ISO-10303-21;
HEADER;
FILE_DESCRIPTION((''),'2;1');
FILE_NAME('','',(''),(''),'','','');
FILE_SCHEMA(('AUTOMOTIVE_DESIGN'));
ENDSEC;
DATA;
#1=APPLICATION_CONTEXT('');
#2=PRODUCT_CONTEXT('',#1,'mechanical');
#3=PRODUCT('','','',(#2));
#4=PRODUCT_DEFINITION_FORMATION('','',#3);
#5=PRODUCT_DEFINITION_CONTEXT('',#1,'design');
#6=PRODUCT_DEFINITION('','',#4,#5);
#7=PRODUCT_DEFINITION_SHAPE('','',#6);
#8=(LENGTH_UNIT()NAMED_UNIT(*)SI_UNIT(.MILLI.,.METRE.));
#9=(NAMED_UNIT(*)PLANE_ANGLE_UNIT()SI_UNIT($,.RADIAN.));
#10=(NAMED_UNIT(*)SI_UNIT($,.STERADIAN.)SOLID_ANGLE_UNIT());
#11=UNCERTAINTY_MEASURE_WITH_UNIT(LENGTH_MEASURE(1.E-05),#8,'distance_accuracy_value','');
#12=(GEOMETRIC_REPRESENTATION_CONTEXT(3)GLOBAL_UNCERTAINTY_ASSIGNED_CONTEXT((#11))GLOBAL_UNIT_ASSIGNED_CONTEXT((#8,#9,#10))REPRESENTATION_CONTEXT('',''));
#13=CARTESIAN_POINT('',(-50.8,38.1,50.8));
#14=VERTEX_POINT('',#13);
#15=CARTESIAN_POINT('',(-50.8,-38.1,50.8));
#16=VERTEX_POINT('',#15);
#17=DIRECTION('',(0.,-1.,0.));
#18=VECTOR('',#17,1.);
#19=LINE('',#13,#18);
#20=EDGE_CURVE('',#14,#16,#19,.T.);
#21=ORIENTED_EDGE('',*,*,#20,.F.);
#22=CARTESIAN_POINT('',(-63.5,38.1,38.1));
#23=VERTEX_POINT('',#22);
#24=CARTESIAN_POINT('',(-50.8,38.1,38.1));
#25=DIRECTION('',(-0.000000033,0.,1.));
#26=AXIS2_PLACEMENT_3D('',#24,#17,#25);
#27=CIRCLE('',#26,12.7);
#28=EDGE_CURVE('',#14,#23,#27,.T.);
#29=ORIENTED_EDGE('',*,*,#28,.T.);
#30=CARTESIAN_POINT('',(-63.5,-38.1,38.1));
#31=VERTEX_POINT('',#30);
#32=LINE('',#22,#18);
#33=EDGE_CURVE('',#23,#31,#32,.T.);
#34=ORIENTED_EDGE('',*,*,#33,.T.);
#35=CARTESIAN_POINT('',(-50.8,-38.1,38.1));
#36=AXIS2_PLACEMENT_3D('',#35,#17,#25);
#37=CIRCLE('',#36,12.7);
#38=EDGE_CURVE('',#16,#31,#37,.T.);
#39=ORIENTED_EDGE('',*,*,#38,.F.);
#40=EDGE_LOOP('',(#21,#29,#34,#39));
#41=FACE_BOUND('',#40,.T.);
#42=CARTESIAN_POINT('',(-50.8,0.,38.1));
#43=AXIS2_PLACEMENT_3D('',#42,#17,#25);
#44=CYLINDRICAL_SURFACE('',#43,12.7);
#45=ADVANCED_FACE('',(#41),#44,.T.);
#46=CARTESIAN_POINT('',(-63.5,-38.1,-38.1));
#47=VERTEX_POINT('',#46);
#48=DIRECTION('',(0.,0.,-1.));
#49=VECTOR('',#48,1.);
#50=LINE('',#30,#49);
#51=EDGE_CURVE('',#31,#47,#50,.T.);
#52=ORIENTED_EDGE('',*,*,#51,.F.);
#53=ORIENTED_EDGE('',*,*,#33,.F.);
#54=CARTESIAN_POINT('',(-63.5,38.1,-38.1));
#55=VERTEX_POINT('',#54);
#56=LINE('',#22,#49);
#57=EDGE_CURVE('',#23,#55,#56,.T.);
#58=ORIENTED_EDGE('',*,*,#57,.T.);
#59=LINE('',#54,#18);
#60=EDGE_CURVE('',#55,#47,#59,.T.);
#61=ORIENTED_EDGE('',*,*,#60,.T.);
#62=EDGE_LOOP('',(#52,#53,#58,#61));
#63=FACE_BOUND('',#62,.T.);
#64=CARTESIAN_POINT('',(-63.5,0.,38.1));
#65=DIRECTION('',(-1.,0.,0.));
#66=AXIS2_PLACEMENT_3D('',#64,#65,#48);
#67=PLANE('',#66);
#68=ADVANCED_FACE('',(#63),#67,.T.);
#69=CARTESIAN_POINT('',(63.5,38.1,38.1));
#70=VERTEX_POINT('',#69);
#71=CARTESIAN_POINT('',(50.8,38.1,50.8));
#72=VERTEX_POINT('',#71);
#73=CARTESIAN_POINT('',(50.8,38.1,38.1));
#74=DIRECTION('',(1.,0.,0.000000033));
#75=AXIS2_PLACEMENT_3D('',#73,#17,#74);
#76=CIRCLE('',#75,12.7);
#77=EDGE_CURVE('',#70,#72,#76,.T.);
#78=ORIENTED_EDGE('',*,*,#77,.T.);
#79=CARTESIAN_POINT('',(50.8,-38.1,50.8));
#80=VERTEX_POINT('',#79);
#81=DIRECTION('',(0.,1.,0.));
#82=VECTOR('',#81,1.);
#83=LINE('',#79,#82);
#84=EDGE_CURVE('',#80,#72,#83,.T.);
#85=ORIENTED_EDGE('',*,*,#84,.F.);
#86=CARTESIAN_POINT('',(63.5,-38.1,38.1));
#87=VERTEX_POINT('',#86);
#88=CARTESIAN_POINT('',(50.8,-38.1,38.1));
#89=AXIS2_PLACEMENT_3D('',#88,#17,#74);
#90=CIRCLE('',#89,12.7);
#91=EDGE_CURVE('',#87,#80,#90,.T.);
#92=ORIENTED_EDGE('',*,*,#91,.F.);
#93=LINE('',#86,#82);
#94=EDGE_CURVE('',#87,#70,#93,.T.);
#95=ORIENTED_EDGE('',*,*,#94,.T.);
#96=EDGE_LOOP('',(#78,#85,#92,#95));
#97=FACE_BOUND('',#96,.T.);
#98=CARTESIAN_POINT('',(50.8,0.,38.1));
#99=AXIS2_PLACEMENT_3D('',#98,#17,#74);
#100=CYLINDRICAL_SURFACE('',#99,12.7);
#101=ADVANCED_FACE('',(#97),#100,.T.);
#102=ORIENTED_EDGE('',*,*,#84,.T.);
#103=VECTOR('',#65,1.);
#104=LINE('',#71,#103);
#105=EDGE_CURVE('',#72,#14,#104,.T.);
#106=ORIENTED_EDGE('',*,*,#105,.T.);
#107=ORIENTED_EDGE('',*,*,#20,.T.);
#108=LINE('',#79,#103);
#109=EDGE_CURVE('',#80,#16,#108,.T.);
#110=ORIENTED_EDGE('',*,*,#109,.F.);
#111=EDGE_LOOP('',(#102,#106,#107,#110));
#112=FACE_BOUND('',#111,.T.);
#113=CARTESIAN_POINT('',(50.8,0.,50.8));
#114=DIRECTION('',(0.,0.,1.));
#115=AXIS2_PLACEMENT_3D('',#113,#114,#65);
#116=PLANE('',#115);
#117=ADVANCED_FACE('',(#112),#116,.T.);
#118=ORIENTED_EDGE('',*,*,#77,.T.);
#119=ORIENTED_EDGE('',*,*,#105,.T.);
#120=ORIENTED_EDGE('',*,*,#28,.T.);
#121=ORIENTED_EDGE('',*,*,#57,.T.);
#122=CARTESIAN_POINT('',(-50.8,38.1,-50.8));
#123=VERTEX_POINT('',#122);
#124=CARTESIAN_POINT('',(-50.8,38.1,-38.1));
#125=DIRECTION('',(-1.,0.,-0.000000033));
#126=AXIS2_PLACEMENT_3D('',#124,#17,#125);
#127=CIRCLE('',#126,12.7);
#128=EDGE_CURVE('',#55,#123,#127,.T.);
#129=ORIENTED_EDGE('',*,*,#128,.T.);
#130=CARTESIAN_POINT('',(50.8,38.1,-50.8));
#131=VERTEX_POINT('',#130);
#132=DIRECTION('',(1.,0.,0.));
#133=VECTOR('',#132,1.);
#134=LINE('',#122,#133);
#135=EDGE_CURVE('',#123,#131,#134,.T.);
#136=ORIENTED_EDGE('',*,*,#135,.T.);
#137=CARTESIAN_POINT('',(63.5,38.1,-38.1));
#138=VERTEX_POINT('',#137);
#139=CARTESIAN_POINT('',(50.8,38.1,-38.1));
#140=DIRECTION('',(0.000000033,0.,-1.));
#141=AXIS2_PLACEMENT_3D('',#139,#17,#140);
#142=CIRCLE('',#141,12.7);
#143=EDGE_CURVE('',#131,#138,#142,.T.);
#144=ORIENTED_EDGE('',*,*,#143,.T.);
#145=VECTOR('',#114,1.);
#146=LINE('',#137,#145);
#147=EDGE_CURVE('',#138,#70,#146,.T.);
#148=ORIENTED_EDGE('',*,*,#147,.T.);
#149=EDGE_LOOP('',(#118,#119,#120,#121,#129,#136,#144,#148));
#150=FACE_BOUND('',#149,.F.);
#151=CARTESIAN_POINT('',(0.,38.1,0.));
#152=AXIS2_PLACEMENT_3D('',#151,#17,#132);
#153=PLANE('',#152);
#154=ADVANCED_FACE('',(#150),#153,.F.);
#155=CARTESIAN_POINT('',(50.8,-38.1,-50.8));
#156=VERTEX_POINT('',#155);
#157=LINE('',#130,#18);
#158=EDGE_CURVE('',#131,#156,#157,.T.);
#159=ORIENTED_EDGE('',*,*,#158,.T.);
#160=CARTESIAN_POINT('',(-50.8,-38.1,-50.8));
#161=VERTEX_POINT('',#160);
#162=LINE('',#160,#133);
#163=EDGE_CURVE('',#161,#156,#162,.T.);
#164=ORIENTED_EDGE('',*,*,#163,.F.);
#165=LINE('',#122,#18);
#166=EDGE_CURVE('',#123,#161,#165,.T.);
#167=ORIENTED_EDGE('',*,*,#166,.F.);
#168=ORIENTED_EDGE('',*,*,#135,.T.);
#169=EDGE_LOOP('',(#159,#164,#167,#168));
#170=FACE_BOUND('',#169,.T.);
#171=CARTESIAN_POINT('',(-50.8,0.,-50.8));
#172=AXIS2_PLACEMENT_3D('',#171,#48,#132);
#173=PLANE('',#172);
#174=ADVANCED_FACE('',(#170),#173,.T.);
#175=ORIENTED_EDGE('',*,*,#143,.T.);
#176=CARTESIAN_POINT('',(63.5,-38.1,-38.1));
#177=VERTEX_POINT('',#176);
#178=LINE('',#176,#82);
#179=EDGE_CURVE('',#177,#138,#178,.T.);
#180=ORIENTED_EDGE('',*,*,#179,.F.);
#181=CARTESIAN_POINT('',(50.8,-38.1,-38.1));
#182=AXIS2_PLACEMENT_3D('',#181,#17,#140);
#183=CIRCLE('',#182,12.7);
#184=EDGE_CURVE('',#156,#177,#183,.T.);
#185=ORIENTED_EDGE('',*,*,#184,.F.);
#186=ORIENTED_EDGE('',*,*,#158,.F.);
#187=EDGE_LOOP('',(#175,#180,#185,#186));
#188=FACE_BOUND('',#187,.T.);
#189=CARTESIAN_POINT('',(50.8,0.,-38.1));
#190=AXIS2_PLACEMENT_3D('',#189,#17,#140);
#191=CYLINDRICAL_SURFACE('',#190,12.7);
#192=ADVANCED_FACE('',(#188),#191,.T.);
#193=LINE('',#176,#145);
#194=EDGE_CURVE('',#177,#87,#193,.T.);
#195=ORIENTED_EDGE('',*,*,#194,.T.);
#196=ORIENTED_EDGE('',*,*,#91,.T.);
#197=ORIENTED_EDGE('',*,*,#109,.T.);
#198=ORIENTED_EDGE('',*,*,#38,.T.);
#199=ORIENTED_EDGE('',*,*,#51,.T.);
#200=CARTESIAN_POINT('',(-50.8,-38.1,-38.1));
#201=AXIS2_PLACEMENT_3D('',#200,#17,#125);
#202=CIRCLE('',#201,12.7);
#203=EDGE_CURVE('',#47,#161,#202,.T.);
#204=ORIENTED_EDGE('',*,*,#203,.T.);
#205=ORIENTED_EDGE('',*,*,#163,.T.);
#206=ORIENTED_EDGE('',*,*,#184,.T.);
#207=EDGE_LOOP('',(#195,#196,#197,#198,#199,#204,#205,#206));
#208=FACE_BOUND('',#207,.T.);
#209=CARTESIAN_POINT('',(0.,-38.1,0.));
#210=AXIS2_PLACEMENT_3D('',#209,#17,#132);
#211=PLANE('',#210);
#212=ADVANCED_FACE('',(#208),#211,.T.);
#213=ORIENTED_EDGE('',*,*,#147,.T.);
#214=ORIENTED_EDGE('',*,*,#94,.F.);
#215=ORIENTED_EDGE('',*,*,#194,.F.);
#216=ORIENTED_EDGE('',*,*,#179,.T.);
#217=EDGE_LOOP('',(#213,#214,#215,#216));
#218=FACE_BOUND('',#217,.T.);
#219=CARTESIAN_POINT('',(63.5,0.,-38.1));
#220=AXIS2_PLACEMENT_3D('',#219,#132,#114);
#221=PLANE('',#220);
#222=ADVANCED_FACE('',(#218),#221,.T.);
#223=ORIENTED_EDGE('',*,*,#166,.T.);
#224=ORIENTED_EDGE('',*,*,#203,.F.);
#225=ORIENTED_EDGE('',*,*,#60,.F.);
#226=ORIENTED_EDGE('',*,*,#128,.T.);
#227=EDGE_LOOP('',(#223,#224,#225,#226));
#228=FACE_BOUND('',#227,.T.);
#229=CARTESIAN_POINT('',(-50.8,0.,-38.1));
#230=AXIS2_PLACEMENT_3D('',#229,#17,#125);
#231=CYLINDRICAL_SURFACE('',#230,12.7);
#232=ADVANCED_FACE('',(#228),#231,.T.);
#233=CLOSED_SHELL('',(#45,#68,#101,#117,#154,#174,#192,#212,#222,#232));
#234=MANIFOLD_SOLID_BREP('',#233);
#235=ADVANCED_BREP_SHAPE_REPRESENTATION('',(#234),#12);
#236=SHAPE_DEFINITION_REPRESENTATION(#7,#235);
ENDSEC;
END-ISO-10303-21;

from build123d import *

# Parameters (mm, degrees)
F1_DEPTH = 38.1


with BuildPart() as f1:
    # F0 (on Front) → F1 (new body, symmetric)
    with BuildSketch(Plane.XZ):
        with BuildLine():
            Line((50.8, 50.8), (-50.8, 50.8))
            ThreePointArc((-50.8, 50.8), (-59.780256, 47.080256), (-63.5, 38.1))
            Line((-63.5, 38.1), (-63.5, -38.1))
            ThreePointArc((-63.5, -38.1), (-59.780256, -47.080256), (-50.8, -50.8))
            Line((-50.8, -50.8), (50.8, -50.8))
            ThreePointArc((50.8, -50.8), (59.780256, -47.080256), (63.5, -38.1))
            Line((63.5, -38.1), (63.5, 38.1))
            ThreePointArc((63.5, 38.1), (59.780256, 47.080256), (50.8, 50.8))
        make_face()
    extrude(amount=F1_DEPTH, both=True)


solid = f1.part
